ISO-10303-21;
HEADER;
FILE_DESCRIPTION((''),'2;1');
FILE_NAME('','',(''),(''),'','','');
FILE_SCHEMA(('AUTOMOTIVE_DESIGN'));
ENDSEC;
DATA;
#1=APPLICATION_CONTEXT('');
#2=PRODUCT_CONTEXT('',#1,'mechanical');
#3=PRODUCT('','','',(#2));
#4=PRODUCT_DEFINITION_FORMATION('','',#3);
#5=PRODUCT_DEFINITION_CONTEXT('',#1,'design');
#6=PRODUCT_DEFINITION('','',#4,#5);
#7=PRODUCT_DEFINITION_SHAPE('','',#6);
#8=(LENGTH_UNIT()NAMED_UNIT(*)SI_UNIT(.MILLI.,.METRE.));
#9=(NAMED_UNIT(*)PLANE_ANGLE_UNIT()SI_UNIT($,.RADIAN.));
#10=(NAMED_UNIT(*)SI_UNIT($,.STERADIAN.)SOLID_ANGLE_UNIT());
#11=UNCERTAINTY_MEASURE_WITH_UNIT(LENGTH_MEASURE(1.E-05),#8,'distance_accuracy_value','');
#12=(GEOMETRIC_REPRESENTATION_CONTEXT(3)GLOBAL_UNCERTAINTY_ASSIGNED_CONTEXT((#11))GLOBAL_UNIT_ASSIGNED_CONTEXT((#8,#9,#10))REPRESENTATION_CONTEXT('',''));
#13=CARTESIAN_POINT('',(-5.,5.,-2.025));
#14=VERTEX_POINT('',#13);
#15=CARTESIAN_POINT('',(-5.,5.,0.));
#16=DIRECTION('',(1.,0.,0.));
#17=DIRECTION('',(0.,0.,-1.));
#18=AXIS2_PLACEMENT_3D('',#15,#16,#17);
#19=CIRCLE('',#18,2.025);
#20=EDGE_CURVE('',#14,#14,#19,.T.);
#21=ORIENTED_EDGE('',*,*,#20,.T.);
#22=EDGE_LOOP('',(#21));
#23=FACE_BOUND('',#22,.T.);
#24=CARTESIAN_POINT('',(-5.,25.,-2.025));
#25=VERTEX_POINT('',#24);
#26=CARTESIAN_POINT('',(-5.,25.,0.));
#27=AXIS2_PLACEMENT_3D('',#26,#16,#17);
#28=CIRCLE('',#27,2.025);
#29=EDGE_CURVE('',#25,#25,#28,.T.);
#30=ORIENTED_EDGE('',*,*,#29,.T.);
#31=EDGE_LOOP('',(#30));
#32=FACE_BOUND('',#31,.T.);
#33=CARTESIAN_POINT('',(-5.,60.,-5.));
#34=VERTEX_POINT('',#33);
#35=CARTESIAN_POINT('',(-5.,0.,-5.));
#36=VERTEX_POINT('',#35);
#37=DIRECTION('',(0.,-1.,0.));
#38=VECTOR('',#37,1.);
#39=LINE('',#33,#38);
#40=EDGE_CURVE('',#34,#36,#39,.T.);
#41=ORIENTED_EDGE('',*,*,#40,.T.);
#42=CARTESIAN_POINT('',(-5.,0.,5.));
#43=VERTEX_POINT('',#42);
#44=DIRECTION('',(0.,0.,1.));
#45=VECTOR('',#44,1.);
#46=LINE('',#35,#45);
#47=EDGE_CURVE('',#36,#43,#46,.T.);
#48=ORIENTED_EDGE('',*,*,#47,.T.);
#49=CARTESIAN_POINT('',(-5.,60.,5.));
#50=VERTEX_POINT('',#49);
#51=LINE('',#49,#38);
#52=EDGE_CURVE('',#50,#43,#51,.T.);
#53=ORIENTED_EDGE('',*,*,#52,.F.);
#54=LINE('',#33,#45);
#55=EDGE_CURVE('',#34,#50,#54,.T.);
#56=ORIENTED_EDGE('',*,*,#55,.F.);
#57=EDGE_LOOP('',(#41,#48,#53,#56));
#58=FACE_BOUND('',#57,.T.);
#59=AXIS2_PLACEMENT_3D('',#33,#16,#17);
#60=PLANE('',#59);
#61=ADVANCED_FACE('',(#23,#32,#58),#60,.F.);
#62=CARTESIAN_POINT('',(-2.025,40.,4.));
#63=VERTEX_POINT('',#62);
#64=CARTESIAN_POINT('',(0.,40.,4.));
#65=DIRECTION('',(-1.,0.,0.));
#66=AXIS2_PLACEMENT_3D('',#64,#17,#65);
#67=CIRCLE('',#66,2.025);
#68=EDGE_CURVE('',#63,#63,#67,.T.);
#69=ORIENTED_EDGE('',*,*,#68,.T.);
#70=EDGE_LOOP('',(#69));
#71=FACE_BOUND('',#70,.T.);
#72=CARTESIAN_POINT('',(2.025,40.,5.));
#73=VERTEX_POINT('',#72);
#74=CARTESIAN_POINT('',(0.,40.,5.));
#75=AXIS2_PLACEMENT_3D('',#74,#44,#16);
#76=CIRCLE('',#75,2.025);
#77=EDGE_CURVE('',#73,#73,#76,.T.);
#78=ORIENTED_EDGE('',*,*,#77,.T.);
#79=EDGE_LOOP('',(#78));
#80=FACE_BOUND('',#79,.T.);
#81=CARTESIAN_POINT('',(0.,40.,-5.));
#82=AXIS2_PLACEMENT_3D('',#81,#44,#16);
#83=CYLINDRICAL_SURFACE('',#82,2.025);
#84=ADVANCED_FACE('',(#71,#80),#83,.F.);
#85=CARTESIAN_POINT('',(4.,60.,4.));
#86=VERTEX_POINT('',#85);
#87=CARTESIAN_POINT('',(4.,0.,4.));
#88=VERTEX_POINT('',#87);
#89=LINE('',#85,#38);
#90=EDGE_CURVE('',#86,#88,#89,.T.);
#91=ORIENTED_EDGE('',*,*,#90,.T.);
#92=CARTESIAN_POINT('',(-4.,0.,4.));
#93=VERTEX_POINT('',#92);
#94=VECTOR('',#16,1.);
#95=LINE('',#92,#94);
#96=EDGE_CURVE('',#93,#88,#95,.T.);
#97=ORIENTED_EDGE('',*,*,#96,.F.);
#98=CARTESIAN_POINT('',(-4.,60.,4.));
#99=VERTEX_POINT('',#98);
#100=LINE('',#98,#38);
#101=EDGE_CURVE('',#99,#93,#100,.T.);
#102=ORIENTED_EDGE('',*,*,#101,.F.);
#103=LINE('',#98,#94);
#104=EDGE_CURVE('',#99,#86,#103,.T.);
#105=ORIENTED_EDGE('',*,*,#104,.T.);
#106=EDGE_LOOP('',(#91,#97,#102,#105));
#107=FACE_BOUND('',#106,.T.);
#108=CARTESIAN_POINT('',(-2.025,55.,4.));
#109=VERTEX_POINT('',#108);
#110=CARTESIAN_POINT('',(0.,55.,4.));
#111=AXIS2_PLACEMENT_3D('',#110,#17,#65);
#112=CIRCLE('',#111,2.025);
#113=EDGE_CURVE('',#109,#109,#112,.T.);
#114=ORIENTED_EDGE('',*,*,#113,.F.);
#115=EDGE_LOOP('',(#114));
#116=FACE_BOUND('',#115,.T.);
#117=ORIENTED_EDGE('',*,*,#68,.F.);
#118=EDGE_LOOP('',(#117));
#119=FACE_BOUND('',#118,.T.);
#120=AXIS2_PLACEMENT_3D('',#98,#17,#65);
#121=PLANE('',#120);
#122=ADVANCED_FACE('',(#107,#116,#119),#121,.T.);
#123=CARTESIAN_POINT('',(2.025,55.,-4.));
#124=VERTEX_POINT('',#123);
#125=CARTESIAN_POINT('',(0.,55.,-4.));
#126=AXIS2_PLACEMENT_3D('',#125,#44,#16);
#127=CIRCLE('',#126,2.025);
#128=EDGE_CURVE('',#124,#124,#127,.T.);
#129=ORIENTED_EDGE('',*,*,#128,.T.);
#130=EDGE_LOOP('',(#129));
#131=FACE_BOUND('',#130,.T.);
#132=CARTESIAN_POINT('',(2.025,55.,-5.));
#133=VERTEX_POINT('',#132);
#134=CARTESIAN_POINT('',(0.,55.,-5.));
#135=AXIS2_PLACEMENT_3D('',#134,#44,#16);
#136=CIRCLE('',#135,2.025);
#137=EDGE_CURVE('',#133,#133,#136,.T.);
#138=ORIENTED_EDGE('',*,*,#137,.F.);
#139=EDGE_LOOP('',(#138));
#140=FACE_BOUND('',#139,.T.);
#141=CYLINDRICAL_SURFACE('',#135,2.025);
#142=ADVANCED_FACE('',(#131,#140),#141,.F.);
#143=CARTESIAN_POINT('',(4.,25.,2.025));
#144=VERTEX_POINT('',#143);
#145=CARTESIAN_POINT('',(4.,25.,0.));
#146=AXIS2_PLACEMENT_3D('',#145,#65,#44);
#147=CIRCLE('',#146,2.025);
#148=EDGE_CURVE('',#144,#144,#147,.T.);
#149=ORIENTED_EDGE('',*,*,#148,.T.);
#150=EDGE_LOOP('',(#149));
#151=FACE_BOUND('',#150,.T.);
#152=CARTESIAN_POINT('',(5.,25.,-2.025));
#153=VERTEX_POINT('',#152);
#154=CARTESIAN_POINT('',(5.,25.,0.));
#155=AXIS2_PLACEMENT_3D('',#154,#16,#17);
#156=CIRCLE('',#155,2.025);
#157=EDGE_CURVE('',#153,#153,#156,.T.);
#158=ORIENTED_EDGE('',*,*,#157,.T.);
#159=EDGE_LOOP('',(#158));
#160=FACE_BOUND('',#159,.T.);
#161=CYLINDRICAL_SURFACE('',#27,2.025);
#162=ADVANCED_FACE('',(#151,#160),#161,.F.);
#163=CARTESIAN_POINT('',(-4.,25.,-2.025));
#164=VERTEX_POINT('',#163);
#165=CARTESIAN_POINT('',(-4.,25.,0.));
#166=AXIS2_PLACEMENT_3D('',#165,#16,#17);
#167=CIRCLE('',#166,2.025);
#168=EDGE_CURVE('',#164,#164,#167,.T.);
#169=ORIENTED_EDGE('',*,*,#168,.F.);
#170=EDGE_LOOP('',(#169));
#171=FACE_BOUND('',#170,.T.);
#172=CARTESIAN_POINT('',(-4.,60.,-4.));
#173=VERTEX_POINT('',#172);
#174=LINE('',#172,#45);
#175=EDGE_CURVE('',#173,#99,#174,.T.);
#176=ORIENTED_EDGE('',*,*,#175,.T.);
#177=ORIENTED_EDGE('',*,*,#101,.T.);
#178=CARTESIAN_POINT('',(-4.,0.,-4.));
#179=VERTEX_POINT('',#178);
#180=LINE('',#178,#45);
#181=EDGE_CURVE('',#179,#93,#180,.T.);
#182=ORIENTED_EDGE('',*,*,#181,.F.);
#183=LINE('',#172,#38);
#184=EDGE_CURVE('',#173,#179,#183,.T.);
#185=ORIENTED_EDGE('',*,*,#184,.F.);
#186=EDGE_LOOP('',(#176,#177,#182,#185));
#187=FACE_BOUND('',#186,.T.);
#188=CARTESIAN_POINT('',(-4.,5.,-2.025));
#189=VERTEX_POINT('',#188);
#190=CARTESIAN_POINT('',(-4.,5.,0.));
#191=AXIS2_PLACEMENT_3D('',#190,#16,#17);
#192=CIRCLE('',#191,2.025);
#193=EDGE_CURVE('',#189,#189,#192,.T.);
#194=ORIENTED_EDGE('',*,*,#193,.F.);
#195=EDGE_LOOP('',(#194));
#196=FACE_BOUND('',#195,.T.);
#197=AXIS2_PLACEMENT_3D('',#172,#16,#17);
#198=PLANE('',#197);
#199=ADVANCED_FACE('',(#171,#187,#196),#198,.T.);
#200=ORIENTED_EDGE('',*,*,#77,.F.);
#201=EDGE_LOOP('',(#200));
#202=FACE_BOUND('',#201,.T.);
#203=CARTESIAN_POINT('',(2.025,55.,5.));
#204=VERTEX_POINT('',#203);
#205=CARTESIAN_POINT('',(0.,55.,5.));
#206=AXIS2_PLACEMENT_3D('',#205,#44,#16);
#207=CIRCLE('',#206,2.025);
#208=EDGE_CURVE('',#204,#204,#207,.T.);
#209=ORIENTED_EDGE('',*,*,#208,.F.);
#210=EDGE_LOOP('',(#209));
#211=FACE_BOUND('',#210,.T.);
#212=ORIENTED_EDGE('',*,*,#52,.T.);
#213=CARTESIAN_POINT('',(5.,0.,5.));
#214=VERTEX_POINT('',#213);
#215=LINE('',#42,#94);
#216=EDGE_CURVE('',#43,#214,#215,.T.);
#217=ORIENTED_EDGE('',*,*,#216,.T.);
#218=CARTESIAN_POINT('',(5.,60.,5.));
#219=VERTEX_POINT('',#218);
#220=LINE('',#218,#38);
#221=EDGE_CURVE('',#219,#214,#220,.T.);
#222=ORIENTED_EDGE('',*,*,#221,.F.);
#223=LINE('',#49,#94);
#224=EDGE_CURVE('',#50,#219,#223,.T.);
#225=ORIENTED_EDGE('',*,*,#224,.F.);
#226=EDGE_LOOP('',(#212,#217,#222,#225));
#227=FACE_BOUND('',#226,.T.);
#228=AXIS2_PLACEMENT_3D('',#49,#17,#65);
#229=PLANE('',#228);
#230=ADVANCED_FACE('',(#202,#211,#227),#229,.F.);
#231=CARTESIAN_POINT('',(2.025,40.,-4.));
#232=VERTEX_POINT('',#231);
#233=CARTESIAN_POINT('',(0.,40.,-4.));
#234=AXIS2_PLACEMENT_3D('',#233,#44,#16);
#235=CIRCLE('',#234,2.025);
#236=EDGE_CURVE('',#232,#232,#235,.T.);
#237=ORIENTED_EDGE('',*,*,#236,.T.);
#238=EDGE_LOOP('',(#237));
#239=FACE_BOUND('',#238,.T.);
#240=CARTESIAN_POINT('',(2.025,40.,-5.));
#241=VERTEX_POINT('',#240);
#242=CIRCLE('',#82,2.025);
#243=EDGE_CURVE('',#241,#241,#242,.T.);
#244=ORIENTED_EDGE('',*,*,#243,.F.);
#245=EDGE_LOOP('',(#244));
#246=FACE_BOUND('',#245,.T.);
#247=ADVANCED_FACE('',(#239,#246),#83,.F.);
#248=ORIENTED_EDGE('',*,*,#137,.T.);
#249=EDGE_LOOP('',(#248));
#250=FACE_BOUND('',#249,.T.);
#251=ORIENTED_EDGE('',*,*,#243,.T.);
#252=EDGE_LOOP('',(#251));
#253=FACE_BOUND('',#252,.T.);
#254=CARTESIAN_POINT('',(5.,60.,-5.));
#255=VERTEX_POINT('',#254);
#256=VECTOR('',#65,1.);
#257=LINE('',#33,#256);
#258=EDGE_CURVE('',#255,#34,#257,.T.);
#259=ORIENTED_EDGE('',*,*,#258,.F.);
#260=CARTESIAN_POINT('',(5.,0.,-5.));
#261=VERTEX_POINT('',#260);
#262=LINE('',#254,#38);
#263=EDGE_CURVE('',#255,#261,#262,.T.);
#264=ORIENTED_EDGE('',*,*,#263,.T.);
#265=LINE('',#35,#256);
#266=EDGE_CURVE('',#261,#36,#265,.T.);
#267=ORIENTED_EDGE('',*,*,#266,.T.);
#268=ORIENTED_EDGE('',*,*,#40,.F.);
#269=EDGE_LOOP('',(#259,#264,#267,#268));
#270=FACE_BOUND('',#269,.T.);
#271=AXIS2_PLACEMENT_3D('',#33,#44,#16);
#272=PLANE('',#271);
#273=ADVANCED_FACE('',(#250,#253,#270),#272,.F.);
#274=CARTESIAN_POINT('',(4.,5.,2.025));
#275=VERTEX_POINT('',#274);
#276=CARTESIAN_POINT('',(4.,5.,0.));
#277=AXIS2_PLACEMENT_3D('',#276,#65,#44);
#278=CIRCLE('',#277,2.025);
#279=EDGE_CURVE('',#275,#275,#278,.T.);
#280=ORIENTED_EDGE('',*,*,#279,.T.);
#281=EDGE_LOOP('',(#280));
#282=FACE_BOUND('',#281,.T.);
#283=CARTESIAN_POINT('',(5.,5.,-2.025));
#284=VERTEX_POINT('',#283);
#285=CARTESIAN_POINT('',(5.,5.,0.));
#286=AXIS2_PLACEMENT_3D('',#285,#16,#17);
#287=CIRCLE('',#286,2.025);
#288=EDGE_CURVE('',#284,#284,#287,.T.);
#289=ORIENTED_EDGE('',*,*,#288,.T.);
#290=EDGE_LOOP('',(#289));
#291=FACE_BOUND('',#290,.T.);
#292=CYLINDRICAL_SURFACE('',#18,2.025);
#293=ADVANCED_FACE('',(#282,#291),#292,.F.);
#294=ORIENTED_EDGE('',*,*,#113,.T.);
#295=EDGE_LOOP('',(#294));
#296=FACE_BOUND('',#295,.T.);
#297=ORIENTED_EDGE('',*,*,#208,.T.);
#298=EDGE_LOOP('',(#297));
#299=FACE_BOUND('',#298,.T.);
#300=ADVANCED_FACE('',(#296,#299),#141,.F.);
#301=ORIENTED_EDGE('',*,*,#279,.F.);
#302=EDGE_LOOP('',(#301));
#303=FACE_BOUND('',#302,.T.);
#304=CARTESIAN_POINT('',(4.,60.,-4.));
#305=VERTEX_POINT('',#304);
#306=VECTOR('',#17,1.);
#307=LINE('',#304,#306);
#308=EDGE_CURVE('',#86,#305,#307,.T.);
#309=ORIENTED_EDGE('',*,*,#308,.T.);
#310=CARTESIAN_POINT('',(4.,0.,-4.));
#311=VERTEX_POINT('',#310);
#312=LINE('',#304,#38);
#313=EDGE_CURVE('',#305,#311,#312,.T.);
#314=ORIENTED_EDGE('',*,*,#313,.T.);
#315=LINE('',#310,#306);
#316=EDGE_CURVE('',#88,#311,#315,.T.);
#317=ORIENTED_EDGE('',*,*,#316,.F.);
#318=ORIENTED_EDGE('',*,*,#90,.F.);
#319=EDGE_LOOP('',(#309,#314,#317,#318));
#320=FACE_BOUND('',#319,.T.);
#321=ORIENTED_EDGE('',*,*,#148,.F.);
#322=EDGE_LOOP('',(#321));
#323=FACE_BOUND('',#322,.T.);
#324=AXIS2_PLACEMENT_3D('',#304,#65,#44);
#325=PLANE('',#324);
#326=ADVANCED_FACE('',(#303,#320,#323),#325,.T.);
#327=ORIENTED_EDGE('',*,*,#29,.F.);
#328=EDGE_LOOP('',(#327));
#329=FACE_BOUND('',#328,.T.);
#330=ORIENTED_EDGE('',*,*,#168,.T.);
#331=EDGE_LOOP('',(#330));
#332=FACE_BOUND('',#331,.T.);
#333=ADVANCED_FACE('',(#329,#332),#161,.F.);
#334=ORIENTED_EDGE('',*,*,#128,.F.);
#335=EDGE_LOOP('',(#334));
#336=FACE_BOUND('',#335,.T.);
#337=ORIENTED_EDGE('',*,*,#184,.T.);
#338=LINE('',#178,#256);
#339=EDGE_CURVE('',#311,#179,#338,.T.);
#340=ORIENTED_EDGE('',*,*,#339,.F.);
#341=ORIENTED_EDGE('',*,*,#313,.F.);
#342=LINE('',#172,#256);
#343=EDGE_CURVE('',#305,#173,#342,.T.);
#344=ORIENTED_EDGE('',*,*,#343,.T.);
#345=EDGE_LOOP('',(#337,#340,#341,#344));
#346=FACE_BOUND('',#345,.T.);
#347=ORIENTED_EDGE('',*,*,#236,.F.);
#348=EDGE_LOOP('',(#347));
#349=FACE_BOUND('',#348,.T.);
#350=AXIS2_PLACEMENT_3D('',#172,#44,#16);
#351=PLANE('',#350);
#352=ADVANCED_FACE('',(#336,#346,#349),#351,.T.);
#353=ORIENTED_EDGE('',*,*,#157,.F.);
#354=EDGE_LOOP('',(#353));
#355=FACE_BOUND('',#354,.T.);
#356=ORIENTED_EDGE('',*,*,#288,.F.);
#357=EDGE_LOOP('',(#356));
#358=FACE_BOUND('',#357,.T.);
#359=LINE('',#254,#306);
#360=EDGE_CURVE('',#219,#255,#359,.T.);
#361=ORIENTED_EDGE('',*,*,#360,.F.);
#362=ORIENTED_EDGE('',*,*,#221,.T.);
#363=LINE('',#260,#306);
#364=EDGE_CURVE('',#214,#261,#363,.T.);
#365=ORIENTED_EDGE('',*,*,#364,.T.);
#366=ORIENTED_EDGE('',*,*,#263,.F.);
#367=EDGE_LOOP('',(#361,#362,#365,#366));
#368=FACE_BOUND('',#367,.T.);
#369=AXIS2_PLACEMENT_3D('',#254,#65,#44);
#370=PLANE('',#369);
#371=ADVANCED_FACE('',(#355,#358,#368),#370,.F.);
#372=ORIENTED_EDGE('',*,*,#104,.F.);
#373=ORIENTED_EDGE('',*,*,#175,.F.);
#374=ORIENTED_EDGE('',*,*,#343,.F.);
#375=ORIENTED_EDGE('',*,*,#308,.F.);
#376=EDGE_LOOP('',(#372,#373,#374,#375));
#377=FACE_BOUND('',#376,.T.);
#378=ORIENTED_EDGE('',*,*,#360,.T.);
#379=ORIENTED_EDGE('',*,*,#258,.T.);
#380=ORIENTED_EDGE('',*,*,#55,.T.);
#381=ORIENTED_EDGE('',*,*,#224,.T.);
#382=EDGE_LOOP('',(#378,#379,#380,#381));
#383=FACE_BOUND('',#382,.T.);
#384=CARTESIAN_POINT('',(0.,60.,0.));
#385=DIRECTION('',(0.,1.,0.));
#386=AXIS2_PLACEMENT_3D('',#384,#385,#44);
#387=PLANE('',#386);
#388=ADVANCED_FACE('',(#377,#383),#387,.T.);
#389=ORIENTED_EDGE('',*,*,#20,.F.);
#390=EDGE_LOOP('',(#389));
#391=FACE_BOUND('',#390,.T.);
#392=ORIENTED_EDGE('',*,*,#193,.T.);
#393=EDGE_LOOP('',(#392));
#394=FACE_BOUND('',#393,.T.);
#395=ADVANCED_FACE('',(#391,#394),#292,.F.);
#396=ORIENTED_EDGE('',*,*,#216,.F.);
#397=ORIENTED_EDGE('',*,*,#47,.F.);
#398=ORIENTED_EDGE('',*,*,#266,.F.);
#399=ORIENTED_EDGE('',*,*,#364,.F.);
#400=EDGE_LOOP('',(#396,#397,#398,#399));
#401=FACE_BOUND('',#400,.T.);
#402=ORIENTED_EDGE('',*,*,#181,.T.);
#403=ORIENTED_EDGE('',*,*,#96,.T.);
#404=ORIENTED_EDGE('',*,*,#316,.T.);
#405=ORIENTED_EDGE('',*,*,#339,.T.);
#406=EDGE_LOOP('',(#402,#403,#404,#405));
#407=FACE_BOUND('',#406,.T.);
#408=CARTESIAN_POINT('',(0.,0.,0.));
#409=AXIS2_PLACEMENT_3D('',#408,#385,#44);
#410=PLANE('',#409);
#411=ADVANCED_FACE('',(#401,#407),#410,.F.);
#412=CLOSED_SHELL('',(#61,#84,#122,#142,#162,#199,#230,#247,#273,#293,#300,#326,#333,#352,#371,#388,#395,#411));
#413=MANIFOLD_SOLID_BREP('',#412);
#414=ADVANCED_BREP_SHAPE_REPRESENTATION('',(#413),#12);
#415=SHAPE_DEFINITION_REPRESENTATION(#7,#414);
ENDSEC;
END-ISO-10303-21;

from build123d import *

# Parameters (mm, degrees)
SKETCH1_W           = 10
SKETCH1_H           = 10
SKETCH1_W_2         = 8
SKETCH1_H_2         = 8
BOSS_EXTRUDE1_DEPTH = 60
SKETCH2_R           = 2.025
CUT_EXTRUDE1_DEPTH  = 62.032778079
SKETCH4_R           = 2.025
CUT_EXTRUDE2_DEPTH  = 62.032778079


with BuildPart() as part:
    # Sketch1 → Boss-Extrude1 (new body)
    with BuildSketch(Plane(origin=(0, 0, 0), x_dir=(1, 0, 0), z_dir=(0, 1, 0))):
        Rectangle(SKETCH1_W, SKETCH1_H)
        Rectangle(SKETCH1_W_2, SKETCH1_H_2, mode=Mode.SUBTRACT)
    extrude(amount=BOSS_EXTRUDE1_DEPTH)

    # Sketch2 → Cut-Extrude1 (cut, through all)
    with BuildSketch(Plane(origin=(5, 0, 0), x_dir=(0, 0, -1), z_dir=(1, 0, 0))):
        with Locations((0, 5)):
            Circle(SKETCH2_R)
        with Locations((0, 25)):
            Circle(SKETCH2_R)
    extrude(amount=-CUT_EXTRUDE1_DEPTH, mode=Mode.SUBTRACT)

    # Sketch4 → Cut-Extrude2 (cut, through all)
    with BuildSketch(Plane.XY.offset(5)):
        with Locations((0, 55)):
            Circle(SKETCH4_R)
        with Locations((0, 40)):
            Circle(SKETCH4_R)
    extrude(amount=-CUT_EXTRUDE2_DEPTH, mode=Mode.SUBTRACT)


solid = part.part
